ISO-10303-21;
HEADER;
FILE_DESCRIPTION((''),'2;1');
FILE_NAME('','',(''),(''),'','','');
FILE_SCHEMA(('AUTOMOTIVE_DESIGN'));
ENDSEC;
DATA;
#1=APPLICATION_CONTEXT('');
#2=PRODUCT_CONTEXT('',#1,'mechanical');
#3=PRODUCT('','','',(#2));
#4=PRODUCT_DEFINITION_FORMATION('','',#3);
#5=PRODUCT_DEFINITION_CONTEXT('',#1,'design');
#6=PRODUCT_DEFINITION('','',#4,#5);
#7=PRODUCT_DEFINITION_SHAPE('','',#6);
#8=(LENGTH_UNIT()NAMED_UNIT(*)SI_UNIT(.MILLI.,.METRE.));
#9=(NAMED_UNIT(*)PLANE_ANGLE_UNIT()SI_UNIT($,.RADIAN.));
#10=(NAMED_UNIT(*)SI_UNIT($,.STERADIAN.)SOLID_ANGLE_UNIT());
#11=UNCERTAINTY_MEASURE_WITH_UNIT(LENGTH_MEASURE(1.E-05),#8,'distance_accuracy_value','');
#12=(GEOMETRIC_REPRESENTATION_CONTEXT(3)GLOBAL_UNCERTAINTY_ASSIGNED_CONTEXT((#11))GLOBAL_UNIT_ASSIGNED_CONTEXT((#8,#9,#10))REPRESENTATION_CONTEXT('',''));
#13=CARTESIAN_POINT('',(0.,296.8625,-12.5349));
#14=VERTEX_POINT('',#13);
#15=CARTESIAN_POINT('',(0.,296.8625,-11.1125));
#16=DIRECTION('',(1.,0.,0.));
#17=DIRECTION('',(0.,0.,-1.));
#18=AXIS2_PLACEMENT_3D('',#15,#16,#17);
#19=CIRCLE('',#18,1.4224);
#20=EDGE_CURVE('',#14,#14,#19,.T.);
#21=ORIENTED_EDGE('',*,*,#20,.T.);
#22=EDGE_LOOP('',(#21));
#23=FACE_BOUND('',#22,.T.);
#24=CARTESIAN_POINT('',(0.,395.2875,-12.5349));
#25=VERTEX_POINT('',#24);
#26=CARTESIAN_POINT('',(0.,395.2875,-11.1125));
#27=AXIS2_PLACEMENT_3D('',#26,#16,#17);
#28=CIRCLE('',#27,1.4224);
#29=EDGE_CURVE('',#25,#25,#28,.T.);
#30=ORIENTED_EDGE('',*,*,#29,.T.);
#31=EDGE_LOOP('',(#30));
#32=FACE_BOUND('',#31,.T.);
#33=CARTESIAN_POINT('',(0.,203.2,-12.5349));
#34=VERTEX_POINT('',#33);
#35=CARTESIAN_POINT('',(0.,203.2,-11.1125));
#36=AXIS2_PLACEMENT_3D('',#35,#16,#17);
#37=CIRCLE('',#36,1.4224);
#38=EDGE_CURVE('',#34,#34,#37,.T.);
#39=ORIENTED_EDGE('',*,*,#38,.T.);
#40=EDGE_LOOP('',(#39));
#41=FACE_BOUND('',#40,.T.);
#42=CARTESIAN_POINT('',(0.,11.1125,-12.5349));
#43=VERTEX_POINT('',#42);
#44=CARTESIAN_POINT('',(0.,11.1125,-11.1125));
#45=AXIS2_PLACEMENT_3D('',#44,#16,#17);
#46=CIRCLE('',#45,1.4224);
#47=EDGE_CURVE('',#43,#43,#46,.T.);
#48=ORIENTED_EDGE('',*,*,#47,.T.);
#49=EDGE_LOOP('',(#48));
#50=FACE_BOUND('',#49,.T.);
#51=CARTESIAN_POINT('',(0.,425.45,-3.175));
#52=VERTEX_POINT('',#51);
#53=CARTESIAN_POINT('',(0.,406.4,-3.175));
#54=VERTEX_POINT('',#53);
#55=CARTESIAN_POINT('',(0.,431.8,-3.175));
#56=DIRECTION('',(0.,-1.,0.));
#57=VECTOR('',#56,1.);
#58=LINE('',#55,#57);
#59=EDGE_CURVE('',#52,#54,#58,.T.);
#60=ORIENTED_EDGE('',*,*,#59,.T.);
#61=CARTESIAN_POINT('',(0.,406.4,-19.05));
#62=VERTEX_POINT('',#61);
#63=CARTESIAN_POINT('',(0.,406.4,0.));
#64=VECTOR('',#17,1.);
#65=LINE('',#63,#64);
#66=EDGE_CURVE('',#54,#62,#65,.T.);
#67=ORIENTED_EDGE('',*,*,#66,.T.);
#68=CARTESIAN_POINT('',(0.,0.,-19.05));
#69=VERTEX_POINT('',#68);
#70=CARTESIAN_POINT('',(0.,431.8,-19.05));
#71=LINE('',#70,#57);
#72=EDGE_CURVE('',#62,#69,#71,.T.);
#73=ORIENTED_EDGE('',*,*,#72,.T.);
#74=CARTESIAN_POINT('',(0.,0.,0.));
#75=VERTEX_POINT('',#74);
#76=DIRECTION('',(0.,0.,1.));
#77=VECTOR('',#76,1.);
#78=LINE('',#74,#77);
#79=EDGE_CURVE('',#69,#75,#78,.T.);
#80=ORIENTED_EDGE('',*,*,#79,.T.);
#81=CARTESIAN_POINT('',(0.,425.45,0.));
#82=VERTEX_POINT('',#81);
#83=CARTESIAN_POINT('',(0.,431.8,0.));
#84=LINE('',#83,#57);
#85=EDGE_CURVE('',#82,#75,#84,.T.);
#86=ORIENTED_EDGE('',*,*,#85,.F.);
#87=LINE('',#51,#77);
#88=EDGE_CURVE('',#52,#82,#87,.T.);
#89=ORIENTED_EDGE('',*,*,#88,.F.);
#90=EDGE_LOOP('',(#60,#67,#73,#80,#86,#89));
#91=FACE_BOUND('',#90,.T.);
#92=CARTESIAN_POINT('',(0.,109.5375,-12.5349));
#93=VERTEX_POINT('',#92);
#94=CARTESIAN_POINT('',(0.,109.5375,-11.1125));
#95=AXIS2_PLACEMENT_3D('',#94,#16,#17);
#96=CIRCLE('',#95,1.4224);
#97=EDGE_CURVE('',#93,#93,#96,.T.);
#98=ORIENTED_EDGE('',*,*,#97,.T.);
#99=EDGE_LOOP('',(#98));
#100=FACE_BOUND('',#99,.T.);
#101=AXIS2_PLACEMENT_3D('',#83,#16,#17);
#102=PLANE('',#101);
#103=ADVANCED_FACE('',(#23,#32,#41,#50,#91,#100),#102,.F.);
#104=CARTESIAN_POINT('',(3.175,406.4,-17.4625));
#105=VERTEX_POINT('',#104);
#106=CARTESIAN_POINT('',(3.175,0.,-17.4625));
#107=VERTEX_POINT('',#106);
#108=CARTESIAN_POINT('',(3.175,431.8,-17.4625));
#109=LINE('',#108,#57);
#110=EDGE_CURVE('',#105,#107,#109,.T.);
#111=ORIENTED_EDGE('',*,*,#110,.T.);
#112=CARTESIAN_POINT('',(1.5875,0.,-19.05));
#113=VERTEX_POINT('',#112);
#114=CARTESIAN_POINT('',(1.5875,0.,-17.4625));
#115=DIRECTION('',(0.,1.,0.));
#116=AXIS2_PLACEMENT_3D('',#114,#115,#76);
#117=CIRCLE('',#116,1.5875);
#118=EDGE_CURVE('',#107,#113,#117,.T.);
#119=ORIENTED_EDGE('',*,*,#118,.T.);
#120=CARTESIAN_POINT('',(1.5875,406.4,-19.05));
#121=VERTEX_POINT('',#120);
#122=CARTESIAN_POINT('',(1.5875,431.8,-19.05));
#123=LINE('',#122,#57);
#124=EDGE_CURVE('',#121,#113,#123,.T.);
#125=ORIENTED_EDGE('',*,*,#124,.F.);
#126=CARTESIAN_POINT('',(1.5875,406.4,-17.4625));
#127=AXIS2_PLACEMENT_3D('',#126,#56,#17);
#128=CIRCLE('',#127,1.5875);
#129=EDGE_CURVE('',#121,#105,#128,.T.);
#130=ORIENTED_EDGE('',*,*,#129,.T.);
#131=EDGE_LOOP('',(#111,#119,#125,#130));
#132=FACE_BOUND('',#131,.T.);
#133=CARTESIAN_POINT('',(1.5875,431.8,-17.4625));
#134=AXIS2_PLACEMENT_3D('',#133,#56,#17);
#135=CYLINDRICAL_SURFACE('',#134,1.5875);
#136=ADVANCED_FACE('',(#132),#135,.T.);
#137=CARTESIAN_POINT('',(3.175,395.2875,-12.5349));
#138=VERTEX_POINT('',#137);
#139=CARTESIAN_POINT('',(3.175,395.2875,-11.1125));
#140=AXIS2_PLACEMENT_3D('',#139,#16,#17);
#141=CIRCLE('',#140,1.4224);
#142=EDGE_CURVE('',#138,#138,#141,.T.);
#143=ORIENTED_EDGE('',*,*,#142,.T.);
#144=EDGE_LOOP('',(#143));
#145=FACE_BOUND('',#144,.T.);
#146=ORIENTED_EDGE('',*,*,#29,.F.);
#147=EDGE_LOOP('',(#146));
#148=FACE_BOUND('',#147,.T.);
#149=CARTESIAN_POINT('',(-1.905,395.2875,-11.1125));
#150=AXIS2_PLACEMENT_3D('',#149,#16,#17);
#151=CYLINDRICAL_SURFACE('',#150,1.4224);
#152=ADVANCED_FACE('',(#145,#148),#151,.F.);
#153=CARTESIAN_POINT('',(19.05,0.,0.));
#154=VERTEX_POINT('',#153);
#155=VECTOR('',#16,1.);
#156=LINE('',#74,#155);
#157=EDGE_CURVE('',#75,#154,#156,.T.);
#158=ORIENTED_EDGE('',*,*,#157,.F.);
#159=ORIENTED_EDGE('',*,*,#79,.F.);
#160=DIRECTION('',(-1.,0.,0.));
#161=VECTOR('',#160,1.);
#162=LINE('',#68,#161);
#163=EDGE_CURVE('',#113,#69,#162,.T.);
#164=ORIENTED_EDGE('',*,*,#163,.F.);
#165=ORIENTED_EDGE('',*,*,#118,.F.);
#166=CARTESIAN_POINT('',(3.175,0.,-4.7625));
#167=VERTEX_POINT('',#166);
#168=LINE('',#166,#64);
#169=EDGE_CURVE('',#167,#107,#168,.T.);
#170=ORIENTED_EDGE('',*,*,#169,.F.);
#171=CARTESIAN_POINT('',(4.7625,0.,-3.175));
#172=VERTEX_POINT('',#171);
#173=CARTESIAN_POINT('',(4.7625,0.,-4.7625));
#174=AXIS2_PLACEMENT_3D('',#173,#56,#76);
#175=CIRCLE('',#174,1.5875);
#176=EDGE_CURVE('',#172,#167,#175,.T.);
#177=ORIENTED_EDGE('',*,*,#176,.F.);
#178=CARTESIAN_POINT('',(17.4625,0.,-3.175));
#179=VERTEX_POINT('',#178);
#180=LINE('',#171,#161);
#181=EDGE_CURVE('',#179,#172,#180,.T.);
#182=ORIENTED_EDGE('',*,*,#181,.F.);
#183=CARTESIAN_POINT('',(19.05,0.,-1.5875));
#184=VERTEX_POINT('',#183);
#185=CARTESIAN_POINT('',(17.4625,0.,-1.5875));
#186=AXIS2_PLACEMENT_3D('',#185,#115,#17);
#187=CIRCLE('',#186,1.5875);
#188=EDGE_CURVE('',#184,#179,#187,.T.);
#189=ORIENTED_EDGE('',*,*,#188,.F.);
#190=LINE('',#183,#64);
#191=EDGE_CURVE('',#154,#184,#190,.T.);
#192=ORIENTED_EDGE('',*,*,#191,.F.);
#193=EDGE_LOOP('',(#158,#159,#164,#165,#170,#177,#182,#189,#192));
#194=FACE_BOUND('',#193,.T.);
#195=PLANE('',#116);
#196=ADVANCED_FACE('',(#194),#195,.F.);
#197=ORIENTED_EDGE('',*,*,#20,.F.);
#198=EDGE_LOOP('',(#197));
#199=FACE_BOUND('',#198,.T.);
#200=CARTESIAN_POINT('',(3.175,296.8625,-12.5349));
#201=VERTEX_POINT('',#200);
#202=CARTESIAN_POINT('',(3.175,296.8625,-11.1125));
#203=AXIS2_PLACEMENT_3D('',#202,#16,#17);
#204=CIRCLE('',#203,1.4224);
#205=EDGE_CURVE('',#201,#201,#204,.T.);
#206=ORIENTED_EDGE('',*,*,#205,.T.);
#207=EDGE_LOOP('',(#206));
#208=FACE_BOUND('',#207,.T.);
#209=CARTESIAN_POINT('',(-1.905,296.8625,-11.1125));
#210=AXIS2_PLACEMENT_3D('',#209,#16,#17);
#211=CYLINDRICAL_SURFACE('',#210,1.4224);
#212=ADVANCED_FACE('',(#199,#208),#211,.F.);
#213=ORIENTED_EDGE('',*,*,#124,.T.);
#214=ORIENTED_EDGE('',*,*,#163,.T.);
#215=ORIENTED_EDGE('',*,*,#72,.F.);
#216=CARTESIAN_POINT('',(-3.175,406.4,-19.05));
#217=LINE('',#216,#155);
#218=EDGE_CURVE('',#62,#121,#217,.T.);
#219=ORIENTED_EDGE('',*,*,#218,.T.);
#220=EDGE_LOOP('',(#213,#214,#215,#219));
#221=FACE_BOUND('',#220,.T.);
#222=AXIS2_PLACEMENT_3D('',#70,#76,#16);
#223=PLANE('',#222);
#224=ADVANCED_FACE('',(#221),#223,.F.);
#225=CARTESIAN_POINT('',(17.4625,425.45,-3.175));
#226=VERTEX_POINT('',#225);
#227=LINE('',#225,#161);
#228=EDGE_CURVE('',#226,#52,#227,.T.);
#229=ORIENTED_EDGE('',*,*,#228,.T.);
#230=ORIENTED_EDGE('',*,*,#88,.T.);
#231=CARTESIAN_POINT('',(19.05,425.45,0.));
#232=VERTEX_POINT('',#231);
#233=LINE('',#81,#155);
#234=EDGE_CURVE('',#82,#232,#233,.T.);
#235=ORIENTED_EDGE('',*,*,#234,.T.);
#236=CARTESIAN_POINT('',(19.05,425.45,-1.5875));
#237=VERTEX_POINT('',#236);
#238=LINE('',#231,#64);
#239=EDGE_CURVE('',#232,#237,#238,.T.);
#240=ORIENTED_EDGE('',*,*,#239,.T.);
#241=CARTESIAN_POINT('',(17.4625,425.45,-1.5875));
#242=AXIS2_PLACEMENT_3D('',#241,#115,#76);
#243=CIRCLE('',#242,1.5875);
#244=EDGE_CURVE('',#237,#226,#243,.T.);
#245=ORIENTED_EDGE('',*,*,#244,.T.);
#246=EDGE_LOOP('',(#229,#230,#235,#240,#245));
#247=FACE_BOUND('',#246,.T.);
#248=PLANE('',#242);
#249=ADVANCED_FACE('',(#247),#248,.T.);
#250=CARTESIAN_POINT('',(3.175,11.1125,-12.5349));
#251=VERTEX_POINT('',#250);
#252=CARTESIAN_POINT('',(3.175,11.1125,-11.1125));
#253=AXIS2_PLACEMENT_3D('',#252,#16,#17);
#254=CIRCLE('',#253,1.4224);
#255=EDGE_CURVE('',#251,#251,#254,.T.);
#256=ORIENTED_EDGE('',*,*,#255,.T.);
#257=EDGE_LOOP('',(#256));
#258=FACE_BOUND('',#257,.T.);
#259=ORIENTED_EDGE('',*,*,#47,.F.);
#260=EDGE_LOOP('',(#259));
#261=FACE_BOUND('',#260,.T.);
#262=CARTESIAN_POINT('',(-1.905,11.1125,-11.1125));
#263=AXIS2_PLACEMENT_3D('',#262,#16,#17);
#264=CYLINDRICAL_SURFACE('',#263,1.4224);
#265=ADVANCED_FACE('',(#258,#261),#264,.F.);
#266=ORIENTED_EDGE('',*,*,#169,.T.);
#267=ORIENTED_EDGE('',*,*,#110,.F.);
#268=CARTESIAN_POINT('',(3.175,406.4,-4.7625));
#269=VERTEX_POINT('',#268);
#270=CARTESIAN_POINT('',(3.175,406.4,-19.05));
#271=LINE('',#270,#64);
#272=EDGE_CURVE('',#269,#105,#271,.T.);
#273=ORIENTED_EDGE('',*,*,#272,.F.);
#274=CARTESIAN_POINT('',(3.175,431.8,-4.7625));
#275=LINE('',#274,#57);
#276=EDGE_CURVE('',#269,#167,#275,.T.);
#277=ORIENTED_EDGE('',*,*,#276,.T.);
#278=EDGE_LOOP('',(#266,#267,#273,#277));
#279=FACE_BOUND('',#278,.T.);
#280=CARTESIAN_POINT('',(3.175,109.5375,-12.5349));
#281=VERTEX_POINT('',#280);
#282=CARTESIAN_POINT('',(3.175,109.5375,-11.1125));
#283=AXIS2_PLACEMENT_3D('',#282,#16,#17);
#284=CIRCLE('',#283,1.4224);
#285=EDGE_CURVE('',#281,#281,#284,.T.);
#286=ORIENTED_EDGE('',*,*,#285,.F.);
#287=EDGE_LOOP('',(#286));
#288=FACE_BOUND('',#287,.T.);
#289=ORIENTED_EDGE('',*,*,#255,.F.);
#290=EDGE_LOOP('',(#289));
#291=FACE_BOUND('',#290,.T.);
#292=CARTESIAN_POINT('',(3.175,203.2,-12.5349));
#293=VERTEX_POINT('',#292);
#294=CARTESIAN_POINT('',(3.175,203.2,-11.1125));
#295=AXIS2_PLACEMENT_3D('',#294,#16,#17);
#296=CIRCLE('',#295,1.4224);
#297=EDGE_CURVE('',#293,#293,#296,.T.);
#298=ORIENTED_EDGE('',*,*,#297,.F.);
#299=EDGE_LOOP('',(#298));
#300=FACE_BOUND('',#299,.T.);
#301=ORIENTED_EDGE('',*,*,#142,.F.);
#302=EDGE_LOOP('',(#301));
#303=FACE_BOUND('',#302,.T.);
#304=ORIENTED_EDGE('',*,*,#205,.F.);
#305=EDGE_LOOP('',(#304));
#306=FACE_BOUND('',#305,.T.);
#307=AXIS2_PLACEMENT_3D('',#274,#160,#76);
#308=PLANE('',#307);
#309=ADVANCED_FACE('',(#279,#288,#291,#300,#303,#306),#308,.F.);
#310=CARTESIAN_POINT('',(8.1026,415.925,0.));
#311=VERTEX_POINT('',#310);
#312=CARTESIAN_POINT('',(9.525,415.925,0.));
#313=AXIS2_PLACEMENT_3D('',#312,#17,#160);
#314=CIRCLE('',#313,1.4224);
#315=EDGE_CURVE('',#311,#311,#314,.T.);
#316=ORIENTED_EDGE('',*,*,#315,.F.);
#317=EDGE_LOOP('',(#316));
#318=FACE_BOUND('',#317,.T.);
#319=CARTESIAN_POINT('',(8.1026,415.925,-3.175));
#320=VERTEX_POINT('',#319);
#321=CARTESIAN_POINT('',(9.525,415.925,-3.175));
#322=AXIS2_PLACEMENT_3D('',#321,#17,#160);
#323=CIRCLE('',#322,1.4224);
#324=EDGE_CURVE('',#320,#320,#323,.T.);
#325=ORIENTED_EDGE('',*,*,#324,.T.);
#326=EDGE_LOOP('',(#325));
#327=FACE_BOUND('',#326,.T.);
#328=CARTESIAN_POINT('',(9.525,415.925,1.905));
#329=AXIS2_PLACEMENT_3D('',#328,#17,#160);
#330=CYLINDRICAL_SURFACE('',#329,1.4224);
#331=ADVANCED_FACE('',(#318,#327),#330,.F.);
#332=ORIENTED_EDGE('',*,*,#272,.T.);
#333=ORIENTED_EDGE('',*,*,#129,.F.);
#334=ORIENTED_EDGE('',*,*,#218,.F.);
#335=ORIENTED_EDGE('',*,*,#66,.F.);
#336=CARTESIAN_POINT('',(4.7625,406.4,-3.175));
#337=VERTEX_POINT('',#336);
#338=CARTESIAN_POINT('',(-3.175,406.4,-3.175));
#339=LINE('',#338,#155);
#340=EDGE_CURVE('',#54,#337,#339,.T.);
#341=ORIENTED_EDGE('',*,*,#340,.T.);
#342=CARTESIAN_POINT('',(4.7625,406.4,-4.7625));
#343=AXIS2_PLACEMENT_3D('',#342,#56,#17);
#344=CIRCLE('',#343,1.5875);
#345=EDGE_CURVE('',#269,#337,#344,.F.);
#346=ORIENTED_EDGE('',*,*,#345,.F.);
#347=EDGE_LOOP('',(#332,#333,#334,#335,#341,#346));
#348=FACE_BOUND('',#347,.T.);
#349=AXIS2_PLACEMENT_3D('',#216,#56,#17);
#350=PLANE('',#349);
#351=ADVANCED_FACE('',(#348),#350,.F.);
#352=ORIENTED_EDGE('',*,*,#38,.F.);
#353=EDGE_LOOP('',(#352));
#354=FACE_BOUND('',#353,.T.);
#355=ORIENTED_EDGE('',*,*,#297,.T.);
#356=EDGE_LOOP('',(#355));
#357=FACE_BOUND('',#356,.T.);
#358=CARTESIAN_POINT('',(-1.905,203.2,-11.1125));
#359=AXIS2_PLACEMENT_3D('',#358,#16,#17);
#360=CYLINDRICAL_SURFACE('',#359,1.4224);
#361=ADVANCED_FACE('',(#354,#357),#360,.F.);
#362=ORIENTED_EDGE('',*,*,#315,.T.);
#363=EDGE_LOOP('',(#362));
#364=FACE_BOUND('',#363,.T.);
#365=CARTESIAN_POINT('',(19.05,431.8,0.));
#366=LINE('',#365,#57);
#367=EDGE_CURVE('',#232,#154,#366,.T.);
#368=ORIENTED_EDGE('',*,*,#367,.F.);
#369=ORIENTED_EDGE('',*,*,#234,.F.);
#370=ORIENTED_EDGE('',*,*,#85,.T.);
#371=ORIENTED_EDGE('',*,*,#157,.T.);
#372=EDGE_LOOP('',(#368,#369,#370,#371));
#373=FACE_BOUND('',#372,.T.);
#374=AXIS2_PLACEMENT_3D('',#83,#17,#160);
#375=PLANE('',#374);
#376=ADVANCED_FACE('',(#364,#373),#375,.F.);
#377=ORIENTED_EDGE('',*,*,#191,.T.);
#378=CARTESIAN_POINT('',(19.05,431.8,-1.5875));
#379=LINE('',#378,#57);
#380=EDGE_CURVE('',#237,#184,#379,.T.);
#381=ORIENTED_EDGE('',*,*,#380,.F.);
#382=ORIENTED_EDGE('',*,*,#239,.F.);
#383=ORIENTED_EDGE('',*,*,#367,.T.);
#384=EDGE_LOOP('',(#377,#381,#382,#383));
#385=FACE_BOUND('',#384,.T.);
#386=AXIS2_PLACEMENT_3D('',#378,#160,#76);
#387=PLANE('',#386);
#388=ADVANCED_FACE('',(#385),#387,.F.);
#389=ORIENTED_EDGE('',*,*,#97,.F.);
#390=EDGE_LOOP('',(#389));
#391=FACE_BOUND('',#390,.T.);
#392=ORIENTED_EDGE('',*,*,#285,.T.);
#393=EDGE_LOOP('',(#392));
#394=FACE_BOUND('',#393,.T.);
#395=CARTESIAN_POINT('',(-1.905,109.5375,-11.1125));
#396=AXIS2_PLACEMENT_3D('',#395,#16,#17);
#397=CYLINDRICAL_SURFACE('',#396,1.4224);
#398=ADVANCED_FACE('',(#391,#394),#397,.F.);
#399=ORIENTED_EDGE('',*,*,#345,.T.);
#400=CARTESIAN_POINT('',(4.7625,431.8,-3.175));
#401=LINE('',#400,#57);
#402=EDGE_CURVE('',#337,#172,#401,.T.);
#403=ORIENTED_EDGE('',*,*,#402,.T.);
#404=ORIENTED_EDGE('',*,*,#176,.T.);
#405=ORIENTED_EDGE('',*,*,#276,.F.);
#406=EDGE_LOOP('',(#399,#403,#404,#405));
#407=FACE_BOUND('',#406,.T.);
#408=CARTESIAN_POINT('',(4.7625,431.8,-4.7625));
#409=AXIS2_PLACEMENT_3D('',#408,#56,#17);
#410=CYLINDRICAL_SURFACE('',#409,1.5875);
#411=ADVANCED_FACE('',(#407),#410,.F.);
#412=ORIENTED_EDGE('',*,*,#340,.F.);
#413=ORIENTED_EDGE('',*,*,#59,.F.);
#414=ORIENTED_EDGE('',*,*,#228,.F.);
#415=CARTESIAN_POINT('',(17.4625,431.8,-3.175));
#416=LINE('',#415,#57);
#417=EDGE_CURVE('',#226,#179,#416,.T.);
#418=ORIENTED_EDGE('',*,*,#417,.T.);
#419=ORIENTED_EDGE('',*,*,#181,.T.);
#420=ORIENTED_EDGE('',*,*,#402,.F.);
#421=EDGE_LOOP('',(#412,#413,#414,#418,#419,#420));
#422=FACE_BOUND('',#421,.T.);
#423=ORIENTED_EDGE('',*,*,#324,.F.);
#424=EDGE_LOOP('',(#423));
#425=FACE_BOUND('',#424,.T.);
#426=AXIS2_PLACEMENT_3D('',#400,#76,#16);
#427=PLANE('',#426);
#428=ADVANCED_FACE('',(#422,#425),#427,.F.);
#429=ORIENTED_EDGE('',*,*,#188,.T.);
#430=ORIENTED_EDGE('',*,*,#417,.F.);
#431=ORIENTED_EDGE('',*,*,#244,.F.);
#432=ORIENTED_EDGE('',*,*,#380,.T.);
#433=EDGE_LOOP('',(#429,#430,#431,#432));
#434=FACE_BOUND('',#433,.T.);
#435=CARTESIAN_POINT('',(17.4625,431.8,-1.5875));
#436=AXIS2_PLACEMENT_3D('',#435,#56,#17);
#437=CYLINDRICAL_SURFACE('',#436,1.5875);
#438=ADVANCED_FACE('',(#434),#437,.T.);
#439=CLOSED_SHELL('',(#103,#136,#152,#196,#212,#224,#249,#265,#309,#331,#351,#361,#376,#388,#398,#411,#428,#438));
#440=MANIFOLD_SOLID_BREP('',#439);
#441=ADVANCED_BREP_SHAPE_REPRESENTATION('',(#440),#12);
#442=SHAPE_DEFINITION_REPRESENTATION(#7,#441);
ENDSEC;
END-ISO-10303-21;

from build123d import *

# Parameters (mm, degrees)
BOSS_EXTRUDE1_DEPTH = 431.8
SKETCH4_W           = 15.875
SKETCH4_H           = 25.4
CUT_EXTRUDE1_DEPTH  = 6.35
SKETCH5_W           = 1.5875
SKETCH5_H           = 25.4
CUT_EXTRUDE2_DEPTH  = 6.35
SKETCH6_R           = 1.4224
CUT_EXTRUDE3_DEPTH  = 5.08
CUT_EXTRUDE4_START  = -6.35
CUT_EXTRUDE4_DEPTH  = 6.35
SKETCH8_R           = 1.4224
CUT_EXTRUDE5_DEPTH  = 5.08


with BuildPart() as part:
    # Sketch2 → Boss-Extrude1 (new body)
    with BuildSketch(Plane(origin=(0, 0, 0), x_dir=(1, 0, 0), z_dir=(0, 1, 0))):
        with BuildLine():
            Line((0, 0), (19.05, 0))
            Line((19.05, 0), (19.05, 1.5875))
            ThreePointArc((19.05, 1.5875), (18.585032015, 2.710032015), (17.4625, 3.175))
            Line((17.4625, 3.175), (4.7625, 3.175))
            ThreePointArc((4.7625, 3.175), (3.639967985, 3.639967985), (3.175, 4.7625))
            Line((3.175, 4.7625), (3.175, 17.4625))
            ThreePointArc((3.175, 17.4625), (2.710032015, 18.585032015), (1.5875, 19.05))
            Line((1.5875, 19.05), (0, 19.05))
            Line((0, 19.05), (0, 0))
        make_face()
    extrude(amount=BOSS_EXTRUDE1_DEPTH)

    # Sketch4 → Cut-Extrude1 (cut)
    with BuildSketch(Plane(origin=(3.175, 0, 0), x_dir=(0, 0, -1), z_dir=(1, 0, 0))):
        with Locations((11.1125, 419.1)):
            Rectangle(SKETCH4_W, SKETCH4_H)
    extrude(amount=-CUT_EXTRUDE1_DEPTH, mode=Mode.SUBTRACT)

    # Sketch5 → Cut-Extrude2 (cut)
    with BuildSketch(Plane.ZY.offset(-3.175)):
        with Locations((-3.96875, 419.1)):
            Rectangle(SKETCH5_W, SKETCH5_H)
    extrude(amount=-CUT_EXTRUDE2_DEPTH, mode=Mode.SUBTRACT)

    # Sketch6 → Cut-Extrude3 (cut)
    with BuildSketch(Plane(origin=(3.175, 0, 0), x_dir=(0, 0, -1), z_dir=(1, 0, 0))):
        with Locations((11.1125, 109.5375)):
            Circle(SKETCH6_R)
        with Locations((11.1125, 203.2)):
            Circle(SKETCH6_R)
        with Locations((11.1125, 296.8625)):
            Circle(SKETCH6_R)
        with Locations((11.1125, 11.1125)):
            Circle(SKETCH6_R)
        with Locations((11.1125, 395.2875)):
            Circle(SKETCH6_R)
    extrude(amount=-CUT_EXTRUDE3_DEPTH, mode=Mode.SUBTRACT)

    # Sketch7 → Cut-Extrude4 (cut)
    with BuildSketch(Plane(origin=(0, 431.8, 0), x_dir=(1, 0, 0), z_dir=(0, 1, 0)).offset(CUT_EXTRUDE4_START)):
        with BuildLine():
            Line((17.4625, 3.175), (0, 3.175))
            Line((0, 3.175), (0, 0))
            Line((0, 0), (19.05, 0))
            Line((19.05, 0), (19.05, 1.5875))
            ThreePointArc((19.05, 1.5875), (18.585032015, 2.710032015), (17.4625, 3.175))
        make_face()
    extrude(amount=CUT_EXTRUDE4_DEPTH, mode=Mode.SUBTRACT)

    # Sketch8 → Cut-Extrude5 (cut)
    with BuildSketch(Plane(origin=(0, 0, -3.175), x_dir=(-1, 0, 0), z_dir=(0, 0, -1))):
        with Locations((-9.525, 415.925)):
            Circle(SKETCH8_R)
    extrude(amount=-CUT_EXTRUDE5_DEPTH, mode=Mode.SUBTRACT)


solid = part.part
